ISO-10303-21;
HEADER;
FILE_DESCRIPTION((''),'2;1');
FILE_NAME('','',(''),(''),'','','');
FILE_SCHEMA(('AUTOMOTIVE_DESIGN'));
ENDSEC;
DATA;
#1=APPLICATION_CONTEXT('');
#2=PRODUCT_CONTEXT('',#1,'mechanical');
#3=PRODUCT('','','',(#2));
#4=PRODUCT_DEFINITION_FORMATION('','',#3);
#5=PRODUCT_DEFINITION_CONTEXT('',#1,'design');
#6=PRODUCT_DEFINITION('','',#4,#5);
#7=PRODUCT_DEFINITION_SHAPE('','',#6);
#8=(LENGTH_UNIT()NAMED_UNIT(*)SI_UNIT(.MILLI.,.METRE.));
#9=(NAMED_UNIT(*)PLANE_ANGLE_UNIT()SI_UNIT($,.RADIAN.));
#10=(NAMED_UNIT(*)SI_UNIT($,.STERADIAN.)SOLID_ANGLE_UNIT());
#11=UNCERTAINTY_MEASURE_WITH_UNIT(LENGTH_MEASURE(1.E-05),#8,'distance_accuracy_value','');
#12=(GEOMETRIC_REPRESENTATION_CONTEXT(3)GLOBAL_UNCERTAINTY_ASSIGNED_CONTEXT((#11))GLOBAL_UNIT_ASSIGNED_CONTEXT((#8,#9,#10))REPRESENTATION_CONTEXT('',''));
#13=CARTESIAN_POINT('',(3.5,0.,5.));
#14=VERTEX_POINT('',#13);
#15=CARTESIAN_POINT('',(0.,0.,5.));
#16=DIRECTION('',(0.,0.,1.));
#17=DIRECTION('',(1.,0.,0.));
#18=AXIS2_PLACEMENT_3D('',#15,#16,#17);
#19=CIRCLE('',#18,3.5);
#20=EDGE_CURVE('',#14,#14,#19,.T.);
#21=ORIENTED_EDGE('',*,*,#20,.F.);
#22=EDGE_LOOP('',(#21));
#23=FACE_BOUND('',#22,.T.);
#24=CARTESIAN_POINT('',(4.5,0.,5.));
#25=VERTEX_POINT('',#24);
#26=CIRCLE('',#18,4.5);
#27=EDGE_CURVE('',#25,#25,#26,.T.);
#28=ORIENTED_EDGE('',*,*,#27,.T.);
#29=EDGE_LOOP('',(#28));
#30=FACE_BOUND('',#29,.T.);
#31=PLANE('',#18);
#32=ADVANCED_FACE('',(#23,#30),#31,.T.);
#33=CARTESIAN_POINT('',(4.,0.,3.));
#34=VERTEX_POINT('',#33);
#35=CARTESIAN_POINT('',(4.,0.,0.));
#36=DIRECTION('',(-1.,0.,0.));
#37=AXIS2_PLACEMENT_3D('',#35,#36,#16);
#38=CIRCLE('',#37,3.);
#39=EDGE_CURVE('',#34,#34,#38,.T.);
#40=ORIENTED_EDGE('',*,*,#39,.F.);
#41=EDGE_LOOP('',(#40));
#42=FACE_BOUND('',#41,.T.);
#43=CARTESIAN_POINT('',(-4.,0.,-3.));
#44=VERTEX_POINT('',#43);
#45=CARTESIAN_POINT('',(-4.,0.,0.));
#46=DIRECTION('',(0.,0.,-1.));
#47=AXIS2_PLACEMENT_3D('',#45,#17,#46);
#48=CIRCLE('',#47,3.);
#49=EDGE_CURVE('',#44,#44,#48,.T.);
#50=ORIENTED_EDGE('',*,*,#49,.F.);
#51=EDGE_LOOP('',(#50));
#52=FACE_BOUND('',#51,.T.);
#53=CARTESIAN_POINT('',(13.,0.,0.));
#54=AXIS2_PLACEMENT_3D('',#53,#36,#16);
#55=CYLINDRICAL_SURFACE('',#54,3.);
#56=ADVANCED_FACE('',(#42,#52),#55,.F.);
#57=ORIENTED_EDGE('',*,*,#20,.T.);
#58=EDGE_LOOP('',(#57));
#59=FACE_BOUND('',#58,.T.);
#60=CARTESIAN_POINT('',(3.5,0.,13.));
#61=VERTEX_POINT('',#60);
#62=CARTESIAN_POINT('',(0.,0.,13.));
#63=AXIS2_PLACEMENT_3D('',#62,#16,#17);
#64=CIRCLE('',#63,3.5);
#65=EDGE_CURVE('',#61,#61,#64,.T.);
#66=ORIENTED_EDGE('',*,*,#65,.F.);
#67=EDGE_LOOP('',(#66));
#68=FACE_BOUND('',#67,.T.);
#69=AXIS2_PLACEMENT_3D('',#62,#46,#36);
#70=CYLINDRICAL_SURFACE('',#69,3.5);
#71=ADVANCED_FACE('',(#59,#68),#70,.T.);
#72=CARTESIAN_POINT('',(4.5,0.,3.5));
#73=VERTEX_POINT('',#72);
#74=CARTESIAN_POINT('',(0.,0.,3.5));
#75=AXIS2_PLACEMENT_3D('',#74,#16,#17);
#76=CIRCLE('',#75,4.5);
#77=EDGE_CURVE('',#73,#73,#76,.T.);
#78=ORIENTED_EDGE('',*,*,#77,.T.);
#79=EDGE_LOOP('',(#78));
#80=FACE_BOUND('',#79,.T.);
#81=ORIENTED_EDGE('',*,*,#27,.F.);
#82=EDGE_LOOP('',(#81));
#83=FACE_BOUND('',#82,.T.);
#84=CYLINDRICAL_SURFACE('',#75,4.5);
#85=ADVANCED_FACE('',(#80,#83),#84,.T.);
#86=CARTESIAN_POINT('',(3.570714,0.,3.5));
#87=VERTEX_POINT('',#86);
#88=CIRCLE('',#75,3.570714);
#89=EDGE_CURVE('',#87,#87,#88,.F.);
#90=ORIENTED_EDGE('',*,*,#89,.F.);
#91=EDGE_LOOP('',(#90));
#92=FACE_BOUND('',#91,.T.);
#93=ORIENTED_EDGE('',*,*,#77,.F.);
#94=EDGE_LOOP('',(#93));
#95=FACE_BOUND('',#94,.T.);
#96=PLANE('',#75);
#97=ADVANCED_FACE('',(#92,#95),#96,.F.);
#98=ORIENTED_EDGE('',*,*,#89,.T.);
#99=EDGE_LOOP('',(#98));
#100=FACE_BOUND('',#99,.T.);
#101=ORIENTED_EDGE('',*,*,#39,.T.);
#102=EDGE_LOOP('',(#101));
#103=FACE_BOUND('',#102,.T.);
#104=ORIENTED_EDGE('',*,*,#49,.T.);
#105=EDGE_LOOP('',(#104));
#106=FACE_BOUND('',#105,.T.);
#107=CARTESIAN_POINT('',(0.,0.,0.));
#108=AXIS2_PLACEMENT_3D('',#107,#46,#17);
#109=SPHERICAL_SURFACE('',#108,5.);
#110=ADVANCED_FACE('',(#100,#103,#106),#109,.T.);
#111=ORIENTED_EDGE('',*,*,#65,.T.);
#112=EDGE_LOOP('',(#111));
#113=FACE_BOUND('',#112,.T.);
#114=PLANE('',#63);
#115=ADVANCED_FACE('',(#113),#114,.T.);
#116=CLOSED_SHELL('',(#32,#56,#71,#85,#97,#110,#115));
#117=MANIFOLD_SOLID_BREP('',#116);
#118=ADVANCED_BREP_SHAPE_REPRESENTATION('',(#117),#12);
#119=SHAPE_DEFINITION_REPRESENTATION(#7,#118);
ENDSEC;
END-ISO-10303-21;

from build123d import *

# Parameters (mm, degrees)
SKETCH_5_R               = 3.5
EXTRUDE_2_DEPTH          = 13
CUT_EXTRUDE_2_DEPTH      = 13
CUT_EXTRUDE_2_DEPTH_BACK = 13
SKETCH_6_R               = 3
SKETCH_7_R               = 4.5
EXTRUDE_3_DEPTH          = 1.5


with BuildPart() as part:
    # 草图1 → 旋转5 (revolve)
    with BuildSketch(Plane(origin=(0, 0, 0), x_dir=(1, 0, 0), z_dir=(0, 1, 0))):
        with BuildLine():
            Line((0, 5), (0, -5))
            ThreePointArc((0, -5), (-5, 0), (0, 5))
        make_face()
    revolve(axis=Axis((0, 0, -5), (0, 0, 1)))

    # 草图5 → 凸台-拉伸2 (add)
    with BuildSketch(Plane.XY):
        Circle(SKETCH_5_R)
    extrude(amount=EXTRUDE_2_DEPTH)

    # 草图6 → 切除-拉伸2 (cut, two sides: drawn at the far end of the back side and taken through both)
    with BuildSketch(Plane(origin=(0, 0, 0), x_dir=(0, 0, -1), z_dir=(1, 0, 0)).offset(-CUT_EXTRUDE_2_DEPTH_BACK)):
        Circle(SKETCH_6_R)
    extrude(amount=CUT_EXTRUDE_2_DEPTH + CUT_EXTRUDE_2_DEPTH_BACK, mode=Mode.SUBTRACT)

    # 草图7 → 凸台-拉伸3 (add)
    with BuildSketch(Plane.XY.offset(5)):
        Circle(SKETCH_7_R)
    extrude(amount=-EXTRUDE_3_DEPTH)


solid = part.part
